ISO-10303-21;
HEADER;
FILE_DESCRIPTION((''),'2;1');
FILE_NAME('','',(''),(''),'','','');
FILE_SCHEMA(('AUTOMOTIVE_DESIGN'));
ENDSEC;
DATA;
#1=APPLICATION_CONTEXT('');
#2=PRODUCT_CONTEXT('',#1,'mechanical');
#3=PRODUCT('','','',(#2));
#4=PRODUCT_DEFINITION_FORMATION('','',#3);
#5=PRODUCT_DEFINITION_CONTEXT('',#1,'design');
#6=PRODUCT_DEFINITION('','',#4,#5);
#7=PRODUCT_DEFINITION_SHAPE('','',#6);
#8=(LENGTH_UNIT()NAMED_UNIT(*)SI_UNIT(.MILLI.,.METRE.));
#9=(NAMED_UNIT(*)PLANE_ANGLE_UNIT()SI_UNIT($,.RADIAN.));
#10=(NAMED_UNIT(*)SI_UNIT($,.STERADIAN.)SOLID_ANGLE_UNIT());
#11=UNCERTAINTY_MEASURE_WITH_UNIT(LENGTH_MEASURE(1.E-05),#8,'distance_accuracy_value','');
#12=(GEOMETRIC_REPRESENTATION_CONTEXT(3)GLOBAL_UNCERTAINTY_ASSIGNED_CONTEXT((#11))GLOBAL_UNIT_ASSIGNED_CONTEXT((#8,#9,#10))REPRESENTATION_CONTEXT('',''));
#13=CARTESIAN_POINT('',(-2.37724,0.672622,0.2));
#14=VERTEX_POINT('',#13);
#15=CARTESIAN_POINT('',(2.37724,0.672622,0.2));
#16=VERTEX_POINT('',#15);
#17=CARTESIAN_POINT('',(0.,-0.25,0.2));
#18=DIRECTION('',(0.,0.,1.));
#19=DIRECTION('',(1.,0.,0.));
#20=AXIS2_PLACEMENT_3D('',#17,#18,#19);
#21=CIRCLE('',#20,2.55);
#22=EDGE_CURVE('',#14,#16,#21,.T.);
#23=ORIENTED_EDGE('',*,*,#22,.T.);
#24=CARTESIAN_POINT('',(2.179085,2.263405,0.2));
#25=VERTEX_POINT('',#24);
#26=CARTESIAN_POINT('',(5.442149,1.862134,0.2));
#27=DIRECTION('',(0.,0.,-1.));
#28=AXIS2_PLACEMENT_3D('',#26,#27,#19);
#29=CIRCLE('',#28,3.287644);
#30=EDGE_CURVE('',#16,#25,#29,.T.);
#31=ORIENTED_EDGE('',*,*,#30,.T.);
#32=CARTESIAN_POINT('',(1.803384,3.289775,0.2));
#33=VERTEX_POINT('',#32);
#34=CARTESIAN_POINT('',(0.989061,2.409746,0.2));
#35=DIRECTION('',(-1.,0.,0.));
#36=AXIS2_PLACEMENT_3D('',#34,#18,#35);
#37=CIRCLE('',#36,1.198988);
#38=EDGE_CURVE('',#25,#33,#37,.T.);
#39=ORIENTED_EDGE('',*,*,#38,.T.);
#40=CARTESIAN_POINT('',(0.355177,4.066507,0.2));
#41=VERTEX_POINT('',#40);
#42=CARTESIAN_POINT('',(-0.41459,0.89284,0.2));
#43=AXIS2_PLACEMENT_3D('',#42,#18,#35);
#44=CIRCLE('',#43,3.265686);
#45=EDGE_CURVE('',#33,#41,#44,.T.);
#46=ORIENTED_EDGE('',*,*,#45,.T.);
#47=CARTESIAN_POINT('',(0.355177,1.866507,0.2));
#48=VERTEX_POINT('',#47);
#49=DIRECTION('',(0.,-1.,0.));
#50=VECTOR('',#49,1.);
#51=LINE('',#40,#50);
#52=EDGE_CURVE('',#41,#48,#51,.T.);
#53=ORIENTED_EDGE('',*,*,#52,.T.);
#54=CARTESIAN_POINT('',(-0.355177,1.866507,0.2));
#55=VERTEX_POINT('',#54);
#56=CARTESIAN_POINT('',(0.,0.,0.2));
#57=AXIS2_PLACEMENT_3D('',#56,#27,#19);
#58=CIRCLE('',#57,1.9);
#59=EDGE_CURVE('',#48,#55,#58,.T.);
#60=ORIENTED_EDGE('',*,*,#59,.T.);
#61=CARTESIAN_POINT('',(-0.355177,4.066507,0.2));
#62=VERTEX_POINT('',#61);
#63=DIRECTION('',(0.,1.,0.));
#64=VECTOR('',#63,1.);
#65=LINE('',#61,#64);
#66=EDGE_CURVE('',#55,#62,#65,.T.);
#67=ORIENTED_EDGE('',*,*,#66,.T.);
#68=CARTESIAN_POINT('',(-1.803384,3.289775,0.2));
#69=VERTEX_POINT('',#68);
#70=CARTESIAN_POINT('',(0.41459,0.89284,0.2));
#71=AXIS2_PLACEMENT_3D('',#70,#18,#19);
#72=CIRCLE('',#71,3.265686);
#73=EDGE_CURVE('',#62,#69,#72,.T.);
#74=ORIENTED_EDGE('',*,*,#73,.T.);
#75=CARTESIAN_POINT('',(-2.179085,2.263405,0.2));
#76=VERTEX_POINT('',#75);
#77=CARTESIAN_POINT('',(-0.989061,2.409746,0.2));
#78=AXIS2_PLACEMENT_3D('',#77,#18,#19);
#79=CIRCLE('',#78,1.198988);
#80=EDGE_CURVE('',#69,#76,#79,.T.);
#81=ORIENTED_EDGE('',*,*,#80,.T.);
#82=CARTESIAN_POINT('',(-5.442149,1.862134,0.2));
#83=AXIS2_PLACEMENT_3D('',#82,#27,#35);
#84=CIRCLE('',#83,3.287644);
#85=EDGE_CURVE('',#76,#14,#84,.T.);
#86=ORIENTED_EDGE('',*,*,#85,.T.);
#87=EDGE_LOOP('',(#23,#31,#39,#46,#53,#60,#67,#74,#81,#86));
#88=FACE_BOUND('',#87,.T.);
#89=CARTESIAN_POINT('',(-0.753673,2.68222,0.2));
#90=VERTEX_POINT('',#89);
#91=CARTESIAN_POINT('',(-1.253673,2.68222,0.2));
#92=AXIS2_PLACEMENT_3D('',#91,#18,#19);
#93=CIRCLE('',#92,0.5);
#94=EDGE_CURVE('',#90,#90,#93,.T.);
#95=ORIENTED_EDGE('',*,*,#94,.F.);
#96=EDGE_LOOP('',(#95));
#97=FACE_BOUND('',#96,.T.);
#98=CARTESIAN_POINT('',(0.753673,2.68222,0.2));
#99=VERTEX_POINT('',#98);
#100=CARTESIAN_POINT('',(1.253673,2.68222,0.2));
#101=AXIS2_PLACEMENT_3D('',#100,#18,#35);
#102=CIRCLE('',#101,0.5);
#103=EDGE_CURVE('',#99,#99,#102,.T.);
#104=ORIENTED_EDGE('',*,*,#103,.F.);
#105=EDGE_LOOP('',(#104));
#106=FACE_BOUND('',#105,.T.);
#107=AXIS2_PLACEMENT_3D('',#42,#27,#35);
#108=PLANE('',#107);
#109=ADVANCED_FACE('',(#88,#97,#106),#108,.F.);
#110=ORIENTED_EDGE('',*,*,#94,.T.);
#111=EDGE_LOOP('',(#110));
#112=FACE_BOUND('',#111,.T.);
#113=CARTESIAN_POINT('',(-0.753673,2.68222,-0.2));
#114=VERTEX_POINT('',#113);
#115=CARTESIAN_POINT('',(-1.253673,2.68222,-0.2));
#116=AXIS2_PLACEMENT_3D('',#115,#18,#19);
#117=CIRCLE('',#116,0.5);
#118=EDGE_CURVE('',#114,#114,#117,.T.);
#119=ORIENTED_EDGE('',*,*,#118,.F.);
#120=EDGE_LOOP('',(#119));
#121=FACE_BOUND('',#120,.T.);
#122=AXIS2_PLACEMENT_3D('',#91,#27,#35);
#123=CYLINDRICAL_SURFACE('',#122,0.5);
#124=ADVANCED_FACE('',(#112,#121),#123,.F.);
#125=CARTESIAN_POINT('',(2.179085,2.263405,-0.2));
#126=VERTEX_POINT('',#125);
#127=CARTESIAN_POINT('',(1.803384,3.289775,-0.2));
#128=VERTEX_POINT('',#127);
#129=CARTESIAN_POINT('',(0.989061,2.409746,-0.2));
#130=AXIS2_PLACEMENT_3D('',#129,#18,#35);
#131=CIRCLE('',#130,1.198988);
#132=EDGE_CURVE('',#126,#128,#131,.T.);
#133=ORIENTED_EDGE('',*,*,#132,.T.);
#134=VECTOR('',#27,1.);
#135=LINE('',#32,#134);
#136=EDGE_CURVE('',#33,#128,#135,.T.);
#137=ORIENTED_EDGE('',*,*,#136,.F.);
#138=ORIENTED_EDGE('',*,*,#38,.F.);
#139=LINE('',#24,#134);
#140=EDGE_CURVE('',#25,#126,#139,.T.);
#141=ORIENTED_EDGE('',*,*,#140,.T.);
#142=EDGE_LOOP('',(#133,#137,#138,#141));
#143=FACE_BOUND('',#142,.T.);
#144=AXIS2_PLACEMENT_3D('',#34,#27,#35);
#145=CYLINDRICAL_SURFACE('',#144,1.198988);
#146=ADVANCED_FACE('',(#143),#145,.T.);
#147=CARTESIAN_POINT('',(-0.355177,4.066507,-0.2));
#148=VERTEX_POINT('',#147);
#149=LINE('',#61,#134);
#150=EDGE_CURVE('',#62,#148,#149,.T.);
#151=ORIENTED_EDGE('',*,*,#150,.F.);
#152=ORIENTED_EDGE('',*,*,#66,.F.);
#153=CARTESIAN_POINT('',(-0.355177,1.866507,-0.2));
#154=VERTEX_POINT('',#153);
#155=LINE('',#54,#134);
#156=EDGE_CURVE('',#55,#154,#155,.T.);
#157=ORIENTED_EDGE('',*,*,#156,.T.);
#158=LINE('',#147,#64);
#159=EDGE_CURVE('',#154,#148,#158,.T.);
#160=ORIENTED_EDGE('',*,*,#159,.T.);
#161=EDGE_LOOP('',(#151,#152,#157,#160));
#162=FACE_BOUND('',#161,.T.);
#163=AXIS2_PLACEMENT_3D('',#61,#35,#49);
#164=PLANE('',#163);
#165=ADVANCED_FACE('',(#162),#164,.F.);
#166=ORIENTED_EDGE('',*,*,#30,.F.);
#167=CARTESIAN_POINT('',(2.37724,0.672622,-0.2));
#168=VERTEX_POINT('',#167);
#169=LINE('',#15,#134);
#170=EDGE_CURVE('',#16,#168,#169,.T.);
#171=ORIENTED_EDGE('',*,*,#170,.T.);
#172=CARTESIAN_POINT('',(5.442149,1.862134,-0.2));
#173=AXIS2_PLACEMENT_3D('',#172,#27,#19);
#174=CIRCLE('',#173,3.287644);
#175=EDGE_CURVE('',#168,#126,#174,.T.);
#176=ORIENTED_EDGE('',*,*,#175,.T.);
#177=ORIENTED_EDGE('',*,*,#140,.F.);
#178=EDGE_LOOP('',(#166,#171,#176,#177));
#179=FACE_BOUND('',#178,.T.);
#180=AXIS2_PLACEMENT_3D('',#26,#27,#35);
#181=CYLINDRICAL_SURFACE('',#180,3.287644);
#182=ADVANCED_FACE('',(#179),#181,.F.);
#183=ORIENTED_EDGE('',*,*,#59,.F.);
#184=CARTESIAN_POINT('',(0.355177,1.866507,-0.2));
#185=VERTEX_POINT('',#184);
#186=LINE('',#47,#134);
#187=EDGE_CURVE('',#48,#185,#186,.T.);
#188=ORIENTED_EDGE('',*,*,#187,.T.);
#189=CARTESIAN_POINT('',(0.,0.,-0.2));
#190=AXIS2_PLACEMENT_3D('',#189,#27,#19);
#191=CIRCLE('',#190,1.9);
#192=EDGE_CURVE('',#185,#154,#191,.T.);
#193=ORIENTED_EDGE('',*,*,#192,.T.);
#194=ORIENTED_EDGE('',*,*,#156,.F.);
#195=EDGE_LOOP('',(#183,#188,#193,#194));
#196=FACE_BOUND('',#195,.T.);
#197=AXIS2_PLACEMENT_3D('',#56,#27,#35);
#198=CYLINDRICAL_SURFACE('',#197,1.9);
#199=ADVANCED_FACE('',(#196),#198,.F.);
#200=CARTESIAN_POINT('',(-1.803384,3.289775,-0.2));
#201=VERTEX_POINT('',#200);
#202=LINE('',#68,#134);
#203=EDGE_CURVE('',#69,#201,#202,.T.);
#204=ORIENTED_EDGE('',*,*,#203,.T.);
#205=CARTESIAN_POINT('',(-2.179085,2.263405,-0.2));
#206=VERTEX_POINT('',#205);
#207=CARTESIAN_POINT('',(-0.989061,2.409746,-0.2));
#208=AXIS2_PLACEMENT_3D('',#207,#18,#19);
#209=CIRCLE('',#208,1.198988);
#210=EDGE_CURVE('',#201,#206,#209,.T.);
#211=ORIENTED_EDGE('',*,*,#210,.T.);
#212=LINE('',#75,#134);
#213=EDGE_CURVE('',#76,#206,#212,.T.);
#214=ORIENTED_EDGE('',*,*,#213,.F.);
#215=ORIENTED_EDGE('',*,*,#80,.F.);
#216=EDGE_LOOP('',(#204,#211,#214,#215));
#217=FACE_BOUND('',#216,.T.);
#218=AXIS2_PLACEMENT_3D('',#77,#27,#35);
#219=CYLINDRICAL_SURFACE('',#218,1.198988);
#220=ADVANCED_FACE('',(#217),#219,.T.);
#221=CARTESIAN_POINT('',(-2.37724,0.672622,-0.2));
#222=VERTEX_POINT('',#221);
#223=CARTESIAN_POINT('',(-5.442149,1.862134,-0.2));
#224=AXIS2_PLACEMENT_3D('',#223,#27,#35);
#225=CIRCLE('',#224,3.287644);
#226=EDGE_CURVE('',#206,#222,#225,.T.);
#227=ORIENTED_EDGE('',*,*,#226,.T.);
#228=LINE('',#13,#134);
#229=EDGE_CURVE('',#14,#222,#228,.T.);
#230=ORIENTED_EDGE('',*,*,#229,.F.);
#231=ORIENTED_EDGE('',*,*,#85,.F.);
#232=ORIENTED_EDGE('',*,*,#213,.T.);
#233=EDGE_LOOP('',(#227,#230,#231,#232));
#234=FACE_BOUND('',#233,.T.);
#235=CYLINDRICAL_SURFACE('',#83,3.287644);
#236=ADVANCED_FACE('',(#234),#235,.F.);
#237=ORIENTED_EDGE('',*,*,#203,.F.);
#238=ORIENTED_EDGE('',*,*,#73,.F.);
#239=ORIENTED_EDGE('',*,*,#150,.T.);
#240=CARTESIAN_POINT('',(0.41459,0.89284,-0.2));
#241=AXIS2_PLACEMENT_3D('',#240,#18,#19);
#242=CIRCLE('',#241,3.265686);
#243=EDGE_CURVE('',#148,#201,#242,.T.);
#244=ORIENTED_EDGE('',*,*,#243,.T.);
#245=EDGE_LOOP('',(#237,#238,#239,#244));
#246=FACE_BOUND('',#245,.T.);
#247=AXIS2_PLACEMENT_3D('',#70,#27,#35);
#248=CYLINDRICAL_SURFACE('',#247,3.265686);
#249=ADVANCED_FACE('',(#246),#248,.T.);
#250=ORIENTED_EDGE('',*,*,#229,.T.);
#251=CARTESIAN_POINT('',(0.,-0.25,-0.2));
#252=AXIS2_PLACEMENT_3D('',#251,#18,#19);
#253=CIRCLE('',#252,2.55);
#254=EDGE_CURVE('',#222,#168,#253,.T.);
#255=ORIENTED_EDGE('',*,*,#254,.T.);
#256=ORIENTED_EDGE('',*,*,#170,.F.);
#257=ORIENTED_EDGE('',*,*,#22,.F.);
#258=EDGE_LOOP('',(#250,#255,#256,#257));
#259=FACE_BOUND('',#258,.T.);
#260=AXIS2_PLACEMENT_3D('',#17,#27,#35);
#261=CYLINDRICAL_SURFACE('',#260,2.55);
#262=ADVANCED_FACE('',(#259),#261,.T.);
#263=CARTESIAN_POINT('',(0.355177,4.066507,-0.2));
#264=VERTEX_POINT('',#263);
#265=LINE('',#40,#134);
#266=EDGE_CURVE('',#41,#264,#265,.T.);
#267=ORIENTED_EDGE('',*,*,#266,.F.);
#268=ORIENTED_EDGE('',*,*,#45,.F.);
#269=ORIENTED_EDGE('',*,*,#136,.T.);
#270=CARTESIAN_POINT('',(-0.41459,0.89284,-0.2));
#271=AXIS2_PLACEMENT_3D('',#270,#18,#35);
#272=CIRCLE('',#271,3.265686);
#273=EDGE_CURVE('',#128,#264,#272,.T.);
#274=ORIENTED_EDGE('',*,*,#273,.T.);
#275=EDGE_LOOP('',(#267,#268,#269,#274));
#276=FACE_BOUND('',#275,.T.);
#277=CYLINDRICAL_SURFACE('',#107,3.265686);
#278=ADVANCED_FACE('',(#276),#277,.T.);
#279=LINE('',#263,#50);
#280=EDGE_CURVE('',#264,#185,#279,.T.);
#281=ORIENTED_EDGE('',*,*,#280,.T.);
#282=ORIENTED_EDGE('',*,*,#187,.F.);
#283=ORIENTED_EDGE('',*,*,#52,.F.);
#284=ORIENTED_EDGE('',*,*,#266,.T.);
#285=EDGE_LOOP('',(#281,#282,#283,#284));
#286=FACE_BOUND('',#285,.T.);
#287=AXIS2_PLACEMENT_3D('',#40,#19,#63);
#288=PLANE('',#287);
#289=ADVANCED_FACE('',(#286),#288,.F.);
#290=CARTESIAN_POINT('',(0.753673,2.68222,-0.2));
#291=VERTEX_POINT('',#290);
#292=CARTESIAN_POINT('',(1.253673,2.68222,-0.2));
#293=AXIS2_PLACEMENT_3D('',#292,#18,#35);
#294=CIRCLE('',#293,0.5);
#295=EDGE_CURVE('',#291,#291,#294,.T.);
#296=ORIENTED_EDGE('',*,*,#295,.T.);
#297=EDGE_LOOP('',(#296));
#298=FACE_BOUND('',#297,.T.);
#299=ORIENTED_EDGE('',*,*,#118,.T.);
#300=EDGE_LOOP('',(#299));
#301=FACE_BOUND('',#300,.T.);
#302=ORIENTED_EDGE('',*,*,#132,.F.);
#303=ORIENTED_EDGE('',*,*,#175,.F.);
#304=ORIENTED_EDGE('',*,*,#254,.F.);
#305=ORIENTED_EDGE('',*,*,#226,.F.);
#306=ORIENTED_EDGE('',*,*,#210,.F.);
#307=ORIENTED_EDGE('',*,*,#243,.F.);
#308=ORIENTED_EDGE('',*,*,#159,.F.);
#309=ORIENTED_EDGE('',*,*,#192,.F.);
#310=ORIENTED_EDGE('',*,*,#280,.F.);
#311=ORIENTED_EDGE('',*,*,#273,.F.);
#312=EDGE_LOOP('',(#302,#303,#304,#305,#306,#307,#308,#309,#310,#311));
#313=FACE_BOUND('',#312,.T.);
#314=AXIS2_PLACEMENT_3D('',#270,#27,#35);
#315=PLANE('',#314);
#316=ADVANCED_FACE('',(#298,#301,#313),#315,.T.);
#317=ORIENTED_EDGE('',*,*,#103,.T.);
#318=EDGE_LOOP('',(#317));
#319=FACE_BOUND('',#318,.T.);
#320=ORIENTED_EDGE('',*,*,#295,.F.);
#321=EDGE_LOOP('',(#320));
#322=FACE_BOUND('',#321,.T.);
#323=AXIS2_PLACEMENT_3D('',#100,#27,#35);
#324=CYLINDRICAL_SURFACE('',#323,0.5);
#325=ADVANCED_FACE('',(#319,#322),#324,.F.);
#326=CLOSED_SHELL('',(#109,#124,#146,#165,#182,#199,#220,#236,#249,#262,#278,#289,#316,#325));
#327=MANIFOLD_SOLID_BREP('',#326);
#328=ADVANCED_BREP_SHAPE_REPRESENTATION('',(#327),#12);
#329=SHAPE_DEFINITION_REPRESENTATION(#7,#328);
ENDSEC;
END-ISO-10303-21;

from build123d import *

# Parameters (mm, degrees)
SKETCH1_R           = 0.5
BOSS_EXTRUDE1_DEPTH = 0.2


with BuildPart() as part:
    # Sketch1 → Boss-Extrude1 (new, symmetric)
    with BuildSketch(Plane.XY):
        with BuildLine():
            Line((0.355177163, 4.066507215), (0.355177163, 1.866507215))
            ThreePointArc((0.355177163, 1.866507215), (0, -1.9), (-0.355177163, 1.866507215))
            Line((-0.355177163, 1.866507215), (-0.355177163, 4.066507215))
            ThreePointArc((-0.355177163, 4.066507215), (-1.128937663, 3.770726054), (-1.80338405, 3.289775039))
            ThreePointArc((-1.80338405, 3.289775039), (-2.114987451, 2.821889427), (-2.179084676, 2.263404717))
            ThreePointArc((-2.179084676, 2.263404717), (-2.179717367, 1.455750813), (-2.377239579, 0.67262234))
            ThreePointArc((-2.377239579, 0.67262234), (0, -2.8), (2.377239579, 0.67262234))
            ThreePointArc((2.377239579, 0.67262234), (2.179717367, 1.455750813), (2.179084676, 2.263404717))
            ThreePointArc((2.179084676, 2.263404717), (2.114987451, 2.821889427), (1.80338405, 3.289775039))
            ThreePointArc((1.80338405, 3.289775039), (1.128937663, 3.770726054), (0.355177163, 4.066507215))
        make_face()
        with Locations((-1.253673205, 2.682219999)):
            Circle(SKETCH1_R, mode=Mode.SUBTRACT)
        with Locations(Location((1.253673205, 2.682219999, 0), (0, 0, 180))):
            Circle(SKETCH1_R, mode=Mode.SUBTRACT)
    extrude(amount=BOSS_EXTRUDE1_DEPTH, both=True)


solid = part.part
